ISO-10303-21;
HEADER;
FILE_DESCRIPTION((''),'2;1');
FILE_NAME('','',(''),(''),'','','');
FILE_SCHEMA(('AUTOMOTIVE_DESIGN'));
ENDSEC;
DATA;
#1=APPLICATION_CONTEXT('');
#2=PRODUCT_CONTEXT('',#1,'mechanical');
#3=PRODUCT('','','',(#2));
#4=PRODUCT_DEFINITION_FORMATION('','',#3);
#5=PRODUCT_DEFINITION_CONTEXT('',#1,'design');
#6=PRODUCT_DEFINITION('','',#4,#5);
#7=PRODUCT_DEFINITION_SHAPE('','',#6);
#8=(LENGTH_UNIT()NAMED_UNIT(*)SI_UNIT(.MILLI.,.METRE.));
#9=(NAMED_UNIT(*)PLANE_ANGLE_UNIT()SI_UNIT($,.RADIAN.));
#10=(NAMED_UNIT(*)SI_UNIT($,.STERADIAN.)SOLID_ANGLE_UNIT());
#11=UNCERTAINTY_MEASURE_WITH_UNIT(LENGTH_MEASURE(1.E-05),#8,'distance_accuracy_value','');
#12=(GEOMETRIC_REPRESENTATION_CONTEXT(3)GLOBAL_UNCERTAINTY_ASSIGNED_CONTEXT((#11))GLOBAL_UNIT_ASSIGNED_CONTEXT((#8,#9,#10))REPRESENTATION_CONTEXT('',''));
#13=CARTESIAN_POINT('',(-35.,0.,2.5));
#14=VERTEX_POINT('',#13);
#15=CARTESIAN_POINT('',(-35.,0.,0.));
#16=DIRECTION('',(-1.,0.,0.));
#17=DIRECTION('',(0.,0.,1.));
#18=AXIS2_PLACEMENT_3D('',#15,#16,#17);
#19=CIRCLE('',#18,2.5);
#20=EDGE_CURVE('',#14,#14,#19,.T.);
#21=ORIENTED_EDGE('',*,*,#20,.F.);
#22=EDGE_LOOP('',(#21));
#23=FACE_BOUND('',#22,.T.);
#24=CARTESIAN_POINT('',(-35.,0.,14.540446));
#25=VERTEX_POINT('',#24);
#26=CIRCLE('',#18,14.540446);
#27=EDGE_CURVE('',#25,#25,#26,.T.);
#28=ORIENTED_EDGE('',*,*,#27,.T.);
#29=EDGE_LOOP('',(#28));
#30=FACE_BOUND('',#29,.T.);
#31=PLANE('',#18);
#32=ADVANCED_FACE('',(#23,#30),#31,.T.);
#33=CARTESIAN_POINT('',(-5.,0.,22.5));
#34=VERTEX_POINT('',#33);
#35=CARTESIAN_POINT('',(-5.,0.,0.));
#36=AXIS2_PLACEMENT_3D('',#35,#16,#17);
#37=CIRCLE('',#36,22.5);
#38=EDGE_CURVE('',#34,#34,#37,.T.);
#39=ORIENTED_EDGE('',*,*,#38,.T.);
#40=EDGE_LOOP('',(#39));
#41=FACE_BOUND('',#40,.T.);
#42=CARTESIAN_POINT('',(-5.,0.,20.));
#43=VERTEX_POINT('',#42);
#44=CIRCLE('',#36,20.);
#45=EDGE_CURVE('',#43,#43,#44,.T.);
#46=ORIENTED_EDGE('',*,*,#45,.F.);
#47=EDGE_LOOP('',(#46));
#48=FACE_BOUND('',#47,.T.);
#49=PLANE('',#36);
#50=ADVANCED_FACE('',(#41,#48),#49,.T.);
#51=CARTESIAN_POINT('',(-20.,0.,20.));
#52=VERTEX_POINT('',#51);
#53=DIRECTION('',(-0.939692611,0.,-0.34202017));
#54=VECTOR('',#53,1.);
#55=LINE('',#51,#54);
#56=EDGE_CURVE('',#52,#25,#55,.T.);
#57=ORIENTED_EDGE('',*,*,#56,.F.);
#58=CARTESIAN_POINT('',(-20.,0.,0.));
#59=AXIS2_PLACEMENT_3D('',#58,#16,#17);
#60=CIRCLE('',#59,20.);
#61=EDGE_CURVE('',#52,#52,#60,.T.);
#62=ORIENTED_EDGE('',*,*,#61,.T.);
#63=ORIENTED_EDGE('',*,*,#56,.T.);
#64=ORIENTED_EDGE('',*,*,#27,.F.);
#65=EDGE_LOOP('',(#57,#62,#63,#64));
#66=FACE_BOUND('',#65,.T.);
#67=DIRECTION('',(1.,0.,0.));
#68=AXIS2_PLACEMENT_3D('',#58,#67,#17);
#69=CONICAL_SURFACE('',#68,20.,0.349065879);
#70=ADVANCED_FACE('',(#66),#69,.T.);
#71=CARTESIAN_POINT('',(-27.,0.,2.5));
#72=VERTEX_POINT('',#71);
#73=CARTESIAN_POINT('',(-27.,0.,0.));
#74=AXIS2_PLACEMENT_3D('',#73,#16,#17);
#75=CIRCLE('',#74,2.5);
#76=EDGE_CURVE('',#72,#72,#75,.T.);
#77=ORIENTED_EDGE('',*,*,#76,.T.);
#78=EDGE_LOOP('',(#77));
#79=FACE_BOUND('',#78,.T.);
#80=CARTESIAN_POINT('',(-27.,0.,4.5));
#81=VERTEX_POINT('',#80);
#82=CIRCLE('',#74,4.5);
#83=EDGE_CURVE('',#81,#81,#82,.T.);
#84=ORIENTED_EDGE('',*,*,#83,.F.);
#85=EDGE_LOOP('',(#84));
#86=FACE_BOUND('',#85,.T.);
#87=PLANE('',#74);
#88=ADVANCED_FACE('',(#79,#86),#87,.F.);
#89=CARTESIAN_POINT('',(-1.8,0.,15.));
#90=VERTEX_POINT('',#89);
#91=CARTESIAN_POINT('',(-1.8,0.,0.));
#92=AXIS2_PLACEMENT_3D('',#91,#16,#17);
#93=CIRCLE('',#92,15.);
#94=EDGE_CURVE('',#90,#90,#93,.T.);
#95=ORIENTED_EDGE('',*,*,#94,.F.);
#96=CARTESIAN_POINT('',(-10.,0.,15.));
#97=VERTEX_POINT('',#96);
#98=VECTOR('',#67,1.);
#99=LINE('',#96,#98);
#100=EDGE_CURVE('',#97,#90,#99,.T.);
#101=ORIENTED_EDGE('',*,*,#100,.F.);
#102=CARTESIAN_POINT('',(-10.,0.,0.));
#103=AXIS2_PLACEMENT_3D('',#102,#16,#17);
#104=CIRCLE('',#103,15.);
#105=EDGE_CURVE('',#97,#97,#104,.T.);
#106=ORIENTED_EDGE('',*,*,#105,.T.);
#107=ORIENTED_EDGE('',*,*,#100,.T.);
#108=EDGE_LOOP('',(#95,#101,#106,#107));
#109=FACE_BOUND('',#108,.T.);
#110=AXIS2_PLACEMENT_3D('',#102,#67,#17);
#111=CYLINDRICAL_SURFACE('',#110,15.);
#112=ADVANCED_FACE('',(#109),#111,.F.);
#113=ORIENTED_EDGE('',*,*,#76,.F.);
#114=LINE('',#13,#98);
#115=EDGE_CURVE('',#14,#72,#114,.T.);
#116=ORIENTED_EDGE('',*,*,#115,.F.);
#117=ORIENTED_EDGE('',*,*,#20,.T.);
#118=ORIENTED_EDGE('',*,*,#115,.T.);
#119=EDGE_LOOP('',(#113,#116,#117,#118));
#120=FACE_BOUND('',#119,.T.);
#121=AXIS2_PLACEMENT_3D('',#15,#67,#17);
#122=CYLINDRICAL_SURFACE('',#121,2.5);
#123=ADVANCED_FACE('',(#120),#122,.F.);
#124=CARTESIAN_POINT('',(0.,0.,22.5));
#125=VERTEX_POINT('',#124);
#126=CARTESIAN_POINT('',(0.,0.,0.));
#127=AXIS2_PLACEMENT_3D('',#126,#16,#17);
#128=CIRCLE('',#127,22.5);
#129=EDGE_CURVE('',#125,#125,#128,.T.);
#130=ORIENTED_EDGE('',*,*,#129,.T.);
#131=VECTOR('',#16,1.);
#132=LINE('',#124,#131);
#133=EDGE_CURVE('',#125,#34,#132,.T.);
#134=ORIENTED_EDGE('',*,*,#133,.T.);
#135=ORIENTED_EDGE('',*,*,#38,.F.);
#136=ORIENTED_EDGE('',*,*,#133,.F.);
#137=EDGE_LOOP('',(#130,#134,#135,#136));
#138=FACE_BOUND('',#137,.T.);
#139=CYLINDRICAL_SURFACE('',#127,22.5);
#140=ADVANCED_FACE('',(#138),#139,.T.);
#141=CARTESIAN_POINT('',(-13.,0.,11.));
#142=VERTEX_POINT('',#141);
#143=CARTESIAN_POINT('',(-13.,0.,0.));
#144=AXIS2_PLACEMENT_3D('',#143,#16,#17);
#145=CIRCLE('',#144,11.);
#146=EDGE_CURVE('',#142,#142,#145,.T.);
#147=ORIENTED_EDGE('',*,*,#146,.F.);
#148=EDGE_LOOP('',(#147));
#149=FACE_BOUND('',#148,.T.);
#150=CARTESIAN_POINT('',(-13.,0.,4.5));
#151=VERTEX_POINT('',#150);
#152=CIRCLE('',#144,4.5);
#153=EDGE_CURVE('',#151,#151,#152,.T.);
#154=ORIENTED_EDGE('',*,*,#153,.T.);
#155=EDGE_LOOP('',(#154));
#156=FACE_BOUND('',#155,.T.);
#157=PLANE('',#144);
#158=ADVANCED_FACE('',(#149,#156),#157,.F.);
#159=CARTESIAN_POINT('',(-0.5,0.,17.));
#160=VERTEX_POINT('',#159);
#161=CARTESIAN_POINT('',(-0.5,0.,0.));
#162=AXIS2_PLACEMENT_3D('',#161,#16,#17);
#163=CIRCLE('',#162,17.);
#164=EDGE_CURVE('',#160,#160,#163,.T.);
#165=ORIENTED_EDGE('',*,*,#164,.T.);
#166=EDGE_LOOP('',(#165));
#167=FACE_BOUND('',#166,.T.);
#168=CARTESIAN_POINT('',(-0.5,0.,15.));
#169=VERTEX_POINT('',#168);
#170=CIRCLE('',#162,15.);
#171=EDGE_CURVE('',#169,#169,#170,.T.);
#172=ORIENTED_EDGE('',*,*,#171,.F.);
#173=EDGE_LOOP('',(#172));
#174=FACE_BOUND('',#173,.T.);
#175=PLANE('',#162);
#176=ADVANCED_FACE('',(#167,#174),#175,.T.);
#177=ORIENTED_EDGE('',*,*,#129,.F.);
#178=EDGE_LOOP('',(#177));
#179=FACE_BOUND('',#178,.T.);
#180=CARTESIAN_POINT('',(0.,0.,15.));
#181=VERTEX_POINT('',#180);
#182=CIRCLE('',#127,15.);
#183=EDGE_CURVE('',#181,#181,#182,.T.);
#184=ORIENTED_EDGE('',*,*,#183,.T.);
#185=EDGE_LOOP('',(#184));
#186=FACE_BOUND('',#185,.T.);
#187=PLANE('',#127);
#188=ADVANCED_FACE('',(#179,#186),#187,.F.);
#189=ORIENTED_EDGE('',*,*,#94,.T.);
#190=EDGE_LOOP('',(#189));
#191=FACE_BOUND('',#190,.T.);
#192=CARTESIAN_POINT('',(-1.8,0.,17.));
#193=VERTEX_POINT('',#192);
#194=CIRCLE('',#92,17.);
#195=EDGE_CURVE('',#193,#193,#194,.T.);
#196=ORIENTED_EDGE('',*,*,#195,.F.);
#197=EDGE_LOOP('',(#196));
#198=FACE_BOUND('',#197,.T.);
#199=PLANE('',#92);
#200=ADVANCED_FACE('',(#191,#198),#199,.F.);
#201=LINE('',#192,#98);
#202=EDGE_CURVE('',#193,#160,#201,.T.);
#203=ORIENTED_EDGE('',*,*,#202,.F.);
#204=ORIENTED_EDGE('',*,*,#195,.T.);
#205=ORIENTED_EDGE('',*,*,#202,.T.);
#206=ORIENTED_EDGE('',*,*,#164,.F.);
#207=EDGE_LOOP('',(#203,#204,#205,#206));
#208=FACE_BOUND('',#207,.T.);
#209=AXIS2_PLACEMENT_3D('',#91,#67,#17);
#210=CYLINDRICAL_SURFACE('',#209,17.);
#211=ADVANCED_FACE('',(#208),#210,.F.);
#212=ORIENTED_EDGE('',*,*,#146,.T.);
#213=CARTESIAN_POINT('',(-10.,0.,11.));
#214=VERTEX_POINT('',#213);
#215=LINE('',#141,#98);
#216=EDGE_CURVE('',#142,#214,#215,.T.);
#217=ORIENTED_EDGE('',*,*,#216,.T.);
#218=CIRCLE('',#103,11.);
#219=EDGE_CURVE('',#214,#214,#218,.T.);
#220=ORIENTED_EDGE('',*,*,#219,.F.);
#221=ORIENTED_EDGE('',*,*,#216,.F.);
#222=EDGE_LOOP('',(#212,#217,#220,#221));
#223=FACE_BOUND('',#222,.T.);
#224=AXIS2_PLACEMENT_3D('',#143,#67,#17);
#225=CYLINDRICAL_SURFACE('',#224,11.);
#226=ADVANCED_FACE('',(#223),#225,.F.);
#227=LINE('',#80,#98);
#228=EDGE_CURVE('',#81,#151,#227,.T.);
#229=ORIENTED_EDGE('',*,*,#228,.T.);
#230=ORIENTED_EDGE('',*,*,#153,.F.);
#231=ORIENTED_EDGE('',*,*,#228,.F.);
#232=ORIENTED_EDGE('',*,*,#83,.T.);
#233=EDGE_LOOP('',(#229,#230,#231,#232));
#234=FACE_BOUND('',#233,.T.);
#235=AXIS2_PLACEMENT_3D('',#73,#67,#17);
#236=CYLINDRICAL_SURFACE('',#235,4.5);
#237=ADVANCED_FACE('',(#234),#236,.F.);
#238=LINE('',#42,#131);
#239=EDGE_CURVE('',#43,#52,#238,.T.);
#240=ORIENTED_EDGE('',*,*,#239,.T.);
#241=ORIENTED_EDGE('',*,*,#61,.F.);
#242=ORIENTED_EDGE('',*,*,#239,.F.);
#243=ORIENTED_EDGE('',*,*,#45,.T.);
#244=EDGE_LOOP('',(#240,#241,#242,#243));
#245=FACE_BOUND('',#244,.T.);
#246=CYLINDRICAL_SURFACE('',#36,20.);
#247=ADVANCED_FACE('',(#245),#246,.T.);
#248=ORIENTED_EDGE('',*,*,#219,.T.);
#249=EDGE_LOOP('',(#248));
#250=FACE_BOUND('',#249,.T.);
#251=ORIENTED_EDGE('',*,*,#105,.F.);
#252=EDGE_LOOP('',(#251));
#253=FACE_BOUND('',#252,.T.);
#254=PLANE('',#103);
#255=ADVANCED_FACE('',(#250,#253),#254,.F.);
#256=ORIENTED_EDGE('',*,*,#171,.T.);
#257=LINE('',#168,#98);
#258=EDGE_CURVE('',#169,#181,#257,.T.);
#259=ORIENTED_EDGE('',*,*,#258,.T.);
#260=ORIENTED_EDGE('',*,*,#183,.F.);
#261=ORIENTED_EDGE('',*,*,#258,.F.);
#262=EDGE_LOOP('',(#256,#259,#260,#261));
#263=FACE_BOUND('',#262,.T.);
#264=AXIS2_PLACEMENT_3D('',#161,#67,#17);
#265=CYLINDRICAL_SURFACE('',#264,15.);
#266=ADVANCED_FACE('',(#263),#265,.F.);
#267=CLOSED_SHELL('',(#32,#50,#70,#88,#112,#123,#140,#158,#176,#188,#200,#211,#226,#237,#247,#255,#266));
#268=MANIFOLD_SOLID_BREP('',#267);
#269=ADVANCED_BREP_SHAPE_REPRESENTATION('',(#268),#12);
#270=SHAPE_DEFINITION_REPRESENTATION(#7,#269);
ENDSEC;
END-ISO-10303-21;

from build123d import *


with BuildPart() as f1:
    # F0 (on Front) → F1 (revolve)
    with BuildSketch(Plane.XZ):
        Polygon((-0.5, 15), (0, 15), (0, 22.5), (-5, 22.5), (-5, 20), (-20, 20), (-35, 14.540446), (-35, 2.5), (-27, 2.5), (-27, 4.5), (-13, 4.5), (-13, 11), (-10, 11), (-10, 15), (-1.8, 15), (-1.8, 17), (-0.5, 17), align=None)
    revolve(axis=Axis((-10.233236, 0, 0), (-1, 0, 0)))


solid = f1.part
